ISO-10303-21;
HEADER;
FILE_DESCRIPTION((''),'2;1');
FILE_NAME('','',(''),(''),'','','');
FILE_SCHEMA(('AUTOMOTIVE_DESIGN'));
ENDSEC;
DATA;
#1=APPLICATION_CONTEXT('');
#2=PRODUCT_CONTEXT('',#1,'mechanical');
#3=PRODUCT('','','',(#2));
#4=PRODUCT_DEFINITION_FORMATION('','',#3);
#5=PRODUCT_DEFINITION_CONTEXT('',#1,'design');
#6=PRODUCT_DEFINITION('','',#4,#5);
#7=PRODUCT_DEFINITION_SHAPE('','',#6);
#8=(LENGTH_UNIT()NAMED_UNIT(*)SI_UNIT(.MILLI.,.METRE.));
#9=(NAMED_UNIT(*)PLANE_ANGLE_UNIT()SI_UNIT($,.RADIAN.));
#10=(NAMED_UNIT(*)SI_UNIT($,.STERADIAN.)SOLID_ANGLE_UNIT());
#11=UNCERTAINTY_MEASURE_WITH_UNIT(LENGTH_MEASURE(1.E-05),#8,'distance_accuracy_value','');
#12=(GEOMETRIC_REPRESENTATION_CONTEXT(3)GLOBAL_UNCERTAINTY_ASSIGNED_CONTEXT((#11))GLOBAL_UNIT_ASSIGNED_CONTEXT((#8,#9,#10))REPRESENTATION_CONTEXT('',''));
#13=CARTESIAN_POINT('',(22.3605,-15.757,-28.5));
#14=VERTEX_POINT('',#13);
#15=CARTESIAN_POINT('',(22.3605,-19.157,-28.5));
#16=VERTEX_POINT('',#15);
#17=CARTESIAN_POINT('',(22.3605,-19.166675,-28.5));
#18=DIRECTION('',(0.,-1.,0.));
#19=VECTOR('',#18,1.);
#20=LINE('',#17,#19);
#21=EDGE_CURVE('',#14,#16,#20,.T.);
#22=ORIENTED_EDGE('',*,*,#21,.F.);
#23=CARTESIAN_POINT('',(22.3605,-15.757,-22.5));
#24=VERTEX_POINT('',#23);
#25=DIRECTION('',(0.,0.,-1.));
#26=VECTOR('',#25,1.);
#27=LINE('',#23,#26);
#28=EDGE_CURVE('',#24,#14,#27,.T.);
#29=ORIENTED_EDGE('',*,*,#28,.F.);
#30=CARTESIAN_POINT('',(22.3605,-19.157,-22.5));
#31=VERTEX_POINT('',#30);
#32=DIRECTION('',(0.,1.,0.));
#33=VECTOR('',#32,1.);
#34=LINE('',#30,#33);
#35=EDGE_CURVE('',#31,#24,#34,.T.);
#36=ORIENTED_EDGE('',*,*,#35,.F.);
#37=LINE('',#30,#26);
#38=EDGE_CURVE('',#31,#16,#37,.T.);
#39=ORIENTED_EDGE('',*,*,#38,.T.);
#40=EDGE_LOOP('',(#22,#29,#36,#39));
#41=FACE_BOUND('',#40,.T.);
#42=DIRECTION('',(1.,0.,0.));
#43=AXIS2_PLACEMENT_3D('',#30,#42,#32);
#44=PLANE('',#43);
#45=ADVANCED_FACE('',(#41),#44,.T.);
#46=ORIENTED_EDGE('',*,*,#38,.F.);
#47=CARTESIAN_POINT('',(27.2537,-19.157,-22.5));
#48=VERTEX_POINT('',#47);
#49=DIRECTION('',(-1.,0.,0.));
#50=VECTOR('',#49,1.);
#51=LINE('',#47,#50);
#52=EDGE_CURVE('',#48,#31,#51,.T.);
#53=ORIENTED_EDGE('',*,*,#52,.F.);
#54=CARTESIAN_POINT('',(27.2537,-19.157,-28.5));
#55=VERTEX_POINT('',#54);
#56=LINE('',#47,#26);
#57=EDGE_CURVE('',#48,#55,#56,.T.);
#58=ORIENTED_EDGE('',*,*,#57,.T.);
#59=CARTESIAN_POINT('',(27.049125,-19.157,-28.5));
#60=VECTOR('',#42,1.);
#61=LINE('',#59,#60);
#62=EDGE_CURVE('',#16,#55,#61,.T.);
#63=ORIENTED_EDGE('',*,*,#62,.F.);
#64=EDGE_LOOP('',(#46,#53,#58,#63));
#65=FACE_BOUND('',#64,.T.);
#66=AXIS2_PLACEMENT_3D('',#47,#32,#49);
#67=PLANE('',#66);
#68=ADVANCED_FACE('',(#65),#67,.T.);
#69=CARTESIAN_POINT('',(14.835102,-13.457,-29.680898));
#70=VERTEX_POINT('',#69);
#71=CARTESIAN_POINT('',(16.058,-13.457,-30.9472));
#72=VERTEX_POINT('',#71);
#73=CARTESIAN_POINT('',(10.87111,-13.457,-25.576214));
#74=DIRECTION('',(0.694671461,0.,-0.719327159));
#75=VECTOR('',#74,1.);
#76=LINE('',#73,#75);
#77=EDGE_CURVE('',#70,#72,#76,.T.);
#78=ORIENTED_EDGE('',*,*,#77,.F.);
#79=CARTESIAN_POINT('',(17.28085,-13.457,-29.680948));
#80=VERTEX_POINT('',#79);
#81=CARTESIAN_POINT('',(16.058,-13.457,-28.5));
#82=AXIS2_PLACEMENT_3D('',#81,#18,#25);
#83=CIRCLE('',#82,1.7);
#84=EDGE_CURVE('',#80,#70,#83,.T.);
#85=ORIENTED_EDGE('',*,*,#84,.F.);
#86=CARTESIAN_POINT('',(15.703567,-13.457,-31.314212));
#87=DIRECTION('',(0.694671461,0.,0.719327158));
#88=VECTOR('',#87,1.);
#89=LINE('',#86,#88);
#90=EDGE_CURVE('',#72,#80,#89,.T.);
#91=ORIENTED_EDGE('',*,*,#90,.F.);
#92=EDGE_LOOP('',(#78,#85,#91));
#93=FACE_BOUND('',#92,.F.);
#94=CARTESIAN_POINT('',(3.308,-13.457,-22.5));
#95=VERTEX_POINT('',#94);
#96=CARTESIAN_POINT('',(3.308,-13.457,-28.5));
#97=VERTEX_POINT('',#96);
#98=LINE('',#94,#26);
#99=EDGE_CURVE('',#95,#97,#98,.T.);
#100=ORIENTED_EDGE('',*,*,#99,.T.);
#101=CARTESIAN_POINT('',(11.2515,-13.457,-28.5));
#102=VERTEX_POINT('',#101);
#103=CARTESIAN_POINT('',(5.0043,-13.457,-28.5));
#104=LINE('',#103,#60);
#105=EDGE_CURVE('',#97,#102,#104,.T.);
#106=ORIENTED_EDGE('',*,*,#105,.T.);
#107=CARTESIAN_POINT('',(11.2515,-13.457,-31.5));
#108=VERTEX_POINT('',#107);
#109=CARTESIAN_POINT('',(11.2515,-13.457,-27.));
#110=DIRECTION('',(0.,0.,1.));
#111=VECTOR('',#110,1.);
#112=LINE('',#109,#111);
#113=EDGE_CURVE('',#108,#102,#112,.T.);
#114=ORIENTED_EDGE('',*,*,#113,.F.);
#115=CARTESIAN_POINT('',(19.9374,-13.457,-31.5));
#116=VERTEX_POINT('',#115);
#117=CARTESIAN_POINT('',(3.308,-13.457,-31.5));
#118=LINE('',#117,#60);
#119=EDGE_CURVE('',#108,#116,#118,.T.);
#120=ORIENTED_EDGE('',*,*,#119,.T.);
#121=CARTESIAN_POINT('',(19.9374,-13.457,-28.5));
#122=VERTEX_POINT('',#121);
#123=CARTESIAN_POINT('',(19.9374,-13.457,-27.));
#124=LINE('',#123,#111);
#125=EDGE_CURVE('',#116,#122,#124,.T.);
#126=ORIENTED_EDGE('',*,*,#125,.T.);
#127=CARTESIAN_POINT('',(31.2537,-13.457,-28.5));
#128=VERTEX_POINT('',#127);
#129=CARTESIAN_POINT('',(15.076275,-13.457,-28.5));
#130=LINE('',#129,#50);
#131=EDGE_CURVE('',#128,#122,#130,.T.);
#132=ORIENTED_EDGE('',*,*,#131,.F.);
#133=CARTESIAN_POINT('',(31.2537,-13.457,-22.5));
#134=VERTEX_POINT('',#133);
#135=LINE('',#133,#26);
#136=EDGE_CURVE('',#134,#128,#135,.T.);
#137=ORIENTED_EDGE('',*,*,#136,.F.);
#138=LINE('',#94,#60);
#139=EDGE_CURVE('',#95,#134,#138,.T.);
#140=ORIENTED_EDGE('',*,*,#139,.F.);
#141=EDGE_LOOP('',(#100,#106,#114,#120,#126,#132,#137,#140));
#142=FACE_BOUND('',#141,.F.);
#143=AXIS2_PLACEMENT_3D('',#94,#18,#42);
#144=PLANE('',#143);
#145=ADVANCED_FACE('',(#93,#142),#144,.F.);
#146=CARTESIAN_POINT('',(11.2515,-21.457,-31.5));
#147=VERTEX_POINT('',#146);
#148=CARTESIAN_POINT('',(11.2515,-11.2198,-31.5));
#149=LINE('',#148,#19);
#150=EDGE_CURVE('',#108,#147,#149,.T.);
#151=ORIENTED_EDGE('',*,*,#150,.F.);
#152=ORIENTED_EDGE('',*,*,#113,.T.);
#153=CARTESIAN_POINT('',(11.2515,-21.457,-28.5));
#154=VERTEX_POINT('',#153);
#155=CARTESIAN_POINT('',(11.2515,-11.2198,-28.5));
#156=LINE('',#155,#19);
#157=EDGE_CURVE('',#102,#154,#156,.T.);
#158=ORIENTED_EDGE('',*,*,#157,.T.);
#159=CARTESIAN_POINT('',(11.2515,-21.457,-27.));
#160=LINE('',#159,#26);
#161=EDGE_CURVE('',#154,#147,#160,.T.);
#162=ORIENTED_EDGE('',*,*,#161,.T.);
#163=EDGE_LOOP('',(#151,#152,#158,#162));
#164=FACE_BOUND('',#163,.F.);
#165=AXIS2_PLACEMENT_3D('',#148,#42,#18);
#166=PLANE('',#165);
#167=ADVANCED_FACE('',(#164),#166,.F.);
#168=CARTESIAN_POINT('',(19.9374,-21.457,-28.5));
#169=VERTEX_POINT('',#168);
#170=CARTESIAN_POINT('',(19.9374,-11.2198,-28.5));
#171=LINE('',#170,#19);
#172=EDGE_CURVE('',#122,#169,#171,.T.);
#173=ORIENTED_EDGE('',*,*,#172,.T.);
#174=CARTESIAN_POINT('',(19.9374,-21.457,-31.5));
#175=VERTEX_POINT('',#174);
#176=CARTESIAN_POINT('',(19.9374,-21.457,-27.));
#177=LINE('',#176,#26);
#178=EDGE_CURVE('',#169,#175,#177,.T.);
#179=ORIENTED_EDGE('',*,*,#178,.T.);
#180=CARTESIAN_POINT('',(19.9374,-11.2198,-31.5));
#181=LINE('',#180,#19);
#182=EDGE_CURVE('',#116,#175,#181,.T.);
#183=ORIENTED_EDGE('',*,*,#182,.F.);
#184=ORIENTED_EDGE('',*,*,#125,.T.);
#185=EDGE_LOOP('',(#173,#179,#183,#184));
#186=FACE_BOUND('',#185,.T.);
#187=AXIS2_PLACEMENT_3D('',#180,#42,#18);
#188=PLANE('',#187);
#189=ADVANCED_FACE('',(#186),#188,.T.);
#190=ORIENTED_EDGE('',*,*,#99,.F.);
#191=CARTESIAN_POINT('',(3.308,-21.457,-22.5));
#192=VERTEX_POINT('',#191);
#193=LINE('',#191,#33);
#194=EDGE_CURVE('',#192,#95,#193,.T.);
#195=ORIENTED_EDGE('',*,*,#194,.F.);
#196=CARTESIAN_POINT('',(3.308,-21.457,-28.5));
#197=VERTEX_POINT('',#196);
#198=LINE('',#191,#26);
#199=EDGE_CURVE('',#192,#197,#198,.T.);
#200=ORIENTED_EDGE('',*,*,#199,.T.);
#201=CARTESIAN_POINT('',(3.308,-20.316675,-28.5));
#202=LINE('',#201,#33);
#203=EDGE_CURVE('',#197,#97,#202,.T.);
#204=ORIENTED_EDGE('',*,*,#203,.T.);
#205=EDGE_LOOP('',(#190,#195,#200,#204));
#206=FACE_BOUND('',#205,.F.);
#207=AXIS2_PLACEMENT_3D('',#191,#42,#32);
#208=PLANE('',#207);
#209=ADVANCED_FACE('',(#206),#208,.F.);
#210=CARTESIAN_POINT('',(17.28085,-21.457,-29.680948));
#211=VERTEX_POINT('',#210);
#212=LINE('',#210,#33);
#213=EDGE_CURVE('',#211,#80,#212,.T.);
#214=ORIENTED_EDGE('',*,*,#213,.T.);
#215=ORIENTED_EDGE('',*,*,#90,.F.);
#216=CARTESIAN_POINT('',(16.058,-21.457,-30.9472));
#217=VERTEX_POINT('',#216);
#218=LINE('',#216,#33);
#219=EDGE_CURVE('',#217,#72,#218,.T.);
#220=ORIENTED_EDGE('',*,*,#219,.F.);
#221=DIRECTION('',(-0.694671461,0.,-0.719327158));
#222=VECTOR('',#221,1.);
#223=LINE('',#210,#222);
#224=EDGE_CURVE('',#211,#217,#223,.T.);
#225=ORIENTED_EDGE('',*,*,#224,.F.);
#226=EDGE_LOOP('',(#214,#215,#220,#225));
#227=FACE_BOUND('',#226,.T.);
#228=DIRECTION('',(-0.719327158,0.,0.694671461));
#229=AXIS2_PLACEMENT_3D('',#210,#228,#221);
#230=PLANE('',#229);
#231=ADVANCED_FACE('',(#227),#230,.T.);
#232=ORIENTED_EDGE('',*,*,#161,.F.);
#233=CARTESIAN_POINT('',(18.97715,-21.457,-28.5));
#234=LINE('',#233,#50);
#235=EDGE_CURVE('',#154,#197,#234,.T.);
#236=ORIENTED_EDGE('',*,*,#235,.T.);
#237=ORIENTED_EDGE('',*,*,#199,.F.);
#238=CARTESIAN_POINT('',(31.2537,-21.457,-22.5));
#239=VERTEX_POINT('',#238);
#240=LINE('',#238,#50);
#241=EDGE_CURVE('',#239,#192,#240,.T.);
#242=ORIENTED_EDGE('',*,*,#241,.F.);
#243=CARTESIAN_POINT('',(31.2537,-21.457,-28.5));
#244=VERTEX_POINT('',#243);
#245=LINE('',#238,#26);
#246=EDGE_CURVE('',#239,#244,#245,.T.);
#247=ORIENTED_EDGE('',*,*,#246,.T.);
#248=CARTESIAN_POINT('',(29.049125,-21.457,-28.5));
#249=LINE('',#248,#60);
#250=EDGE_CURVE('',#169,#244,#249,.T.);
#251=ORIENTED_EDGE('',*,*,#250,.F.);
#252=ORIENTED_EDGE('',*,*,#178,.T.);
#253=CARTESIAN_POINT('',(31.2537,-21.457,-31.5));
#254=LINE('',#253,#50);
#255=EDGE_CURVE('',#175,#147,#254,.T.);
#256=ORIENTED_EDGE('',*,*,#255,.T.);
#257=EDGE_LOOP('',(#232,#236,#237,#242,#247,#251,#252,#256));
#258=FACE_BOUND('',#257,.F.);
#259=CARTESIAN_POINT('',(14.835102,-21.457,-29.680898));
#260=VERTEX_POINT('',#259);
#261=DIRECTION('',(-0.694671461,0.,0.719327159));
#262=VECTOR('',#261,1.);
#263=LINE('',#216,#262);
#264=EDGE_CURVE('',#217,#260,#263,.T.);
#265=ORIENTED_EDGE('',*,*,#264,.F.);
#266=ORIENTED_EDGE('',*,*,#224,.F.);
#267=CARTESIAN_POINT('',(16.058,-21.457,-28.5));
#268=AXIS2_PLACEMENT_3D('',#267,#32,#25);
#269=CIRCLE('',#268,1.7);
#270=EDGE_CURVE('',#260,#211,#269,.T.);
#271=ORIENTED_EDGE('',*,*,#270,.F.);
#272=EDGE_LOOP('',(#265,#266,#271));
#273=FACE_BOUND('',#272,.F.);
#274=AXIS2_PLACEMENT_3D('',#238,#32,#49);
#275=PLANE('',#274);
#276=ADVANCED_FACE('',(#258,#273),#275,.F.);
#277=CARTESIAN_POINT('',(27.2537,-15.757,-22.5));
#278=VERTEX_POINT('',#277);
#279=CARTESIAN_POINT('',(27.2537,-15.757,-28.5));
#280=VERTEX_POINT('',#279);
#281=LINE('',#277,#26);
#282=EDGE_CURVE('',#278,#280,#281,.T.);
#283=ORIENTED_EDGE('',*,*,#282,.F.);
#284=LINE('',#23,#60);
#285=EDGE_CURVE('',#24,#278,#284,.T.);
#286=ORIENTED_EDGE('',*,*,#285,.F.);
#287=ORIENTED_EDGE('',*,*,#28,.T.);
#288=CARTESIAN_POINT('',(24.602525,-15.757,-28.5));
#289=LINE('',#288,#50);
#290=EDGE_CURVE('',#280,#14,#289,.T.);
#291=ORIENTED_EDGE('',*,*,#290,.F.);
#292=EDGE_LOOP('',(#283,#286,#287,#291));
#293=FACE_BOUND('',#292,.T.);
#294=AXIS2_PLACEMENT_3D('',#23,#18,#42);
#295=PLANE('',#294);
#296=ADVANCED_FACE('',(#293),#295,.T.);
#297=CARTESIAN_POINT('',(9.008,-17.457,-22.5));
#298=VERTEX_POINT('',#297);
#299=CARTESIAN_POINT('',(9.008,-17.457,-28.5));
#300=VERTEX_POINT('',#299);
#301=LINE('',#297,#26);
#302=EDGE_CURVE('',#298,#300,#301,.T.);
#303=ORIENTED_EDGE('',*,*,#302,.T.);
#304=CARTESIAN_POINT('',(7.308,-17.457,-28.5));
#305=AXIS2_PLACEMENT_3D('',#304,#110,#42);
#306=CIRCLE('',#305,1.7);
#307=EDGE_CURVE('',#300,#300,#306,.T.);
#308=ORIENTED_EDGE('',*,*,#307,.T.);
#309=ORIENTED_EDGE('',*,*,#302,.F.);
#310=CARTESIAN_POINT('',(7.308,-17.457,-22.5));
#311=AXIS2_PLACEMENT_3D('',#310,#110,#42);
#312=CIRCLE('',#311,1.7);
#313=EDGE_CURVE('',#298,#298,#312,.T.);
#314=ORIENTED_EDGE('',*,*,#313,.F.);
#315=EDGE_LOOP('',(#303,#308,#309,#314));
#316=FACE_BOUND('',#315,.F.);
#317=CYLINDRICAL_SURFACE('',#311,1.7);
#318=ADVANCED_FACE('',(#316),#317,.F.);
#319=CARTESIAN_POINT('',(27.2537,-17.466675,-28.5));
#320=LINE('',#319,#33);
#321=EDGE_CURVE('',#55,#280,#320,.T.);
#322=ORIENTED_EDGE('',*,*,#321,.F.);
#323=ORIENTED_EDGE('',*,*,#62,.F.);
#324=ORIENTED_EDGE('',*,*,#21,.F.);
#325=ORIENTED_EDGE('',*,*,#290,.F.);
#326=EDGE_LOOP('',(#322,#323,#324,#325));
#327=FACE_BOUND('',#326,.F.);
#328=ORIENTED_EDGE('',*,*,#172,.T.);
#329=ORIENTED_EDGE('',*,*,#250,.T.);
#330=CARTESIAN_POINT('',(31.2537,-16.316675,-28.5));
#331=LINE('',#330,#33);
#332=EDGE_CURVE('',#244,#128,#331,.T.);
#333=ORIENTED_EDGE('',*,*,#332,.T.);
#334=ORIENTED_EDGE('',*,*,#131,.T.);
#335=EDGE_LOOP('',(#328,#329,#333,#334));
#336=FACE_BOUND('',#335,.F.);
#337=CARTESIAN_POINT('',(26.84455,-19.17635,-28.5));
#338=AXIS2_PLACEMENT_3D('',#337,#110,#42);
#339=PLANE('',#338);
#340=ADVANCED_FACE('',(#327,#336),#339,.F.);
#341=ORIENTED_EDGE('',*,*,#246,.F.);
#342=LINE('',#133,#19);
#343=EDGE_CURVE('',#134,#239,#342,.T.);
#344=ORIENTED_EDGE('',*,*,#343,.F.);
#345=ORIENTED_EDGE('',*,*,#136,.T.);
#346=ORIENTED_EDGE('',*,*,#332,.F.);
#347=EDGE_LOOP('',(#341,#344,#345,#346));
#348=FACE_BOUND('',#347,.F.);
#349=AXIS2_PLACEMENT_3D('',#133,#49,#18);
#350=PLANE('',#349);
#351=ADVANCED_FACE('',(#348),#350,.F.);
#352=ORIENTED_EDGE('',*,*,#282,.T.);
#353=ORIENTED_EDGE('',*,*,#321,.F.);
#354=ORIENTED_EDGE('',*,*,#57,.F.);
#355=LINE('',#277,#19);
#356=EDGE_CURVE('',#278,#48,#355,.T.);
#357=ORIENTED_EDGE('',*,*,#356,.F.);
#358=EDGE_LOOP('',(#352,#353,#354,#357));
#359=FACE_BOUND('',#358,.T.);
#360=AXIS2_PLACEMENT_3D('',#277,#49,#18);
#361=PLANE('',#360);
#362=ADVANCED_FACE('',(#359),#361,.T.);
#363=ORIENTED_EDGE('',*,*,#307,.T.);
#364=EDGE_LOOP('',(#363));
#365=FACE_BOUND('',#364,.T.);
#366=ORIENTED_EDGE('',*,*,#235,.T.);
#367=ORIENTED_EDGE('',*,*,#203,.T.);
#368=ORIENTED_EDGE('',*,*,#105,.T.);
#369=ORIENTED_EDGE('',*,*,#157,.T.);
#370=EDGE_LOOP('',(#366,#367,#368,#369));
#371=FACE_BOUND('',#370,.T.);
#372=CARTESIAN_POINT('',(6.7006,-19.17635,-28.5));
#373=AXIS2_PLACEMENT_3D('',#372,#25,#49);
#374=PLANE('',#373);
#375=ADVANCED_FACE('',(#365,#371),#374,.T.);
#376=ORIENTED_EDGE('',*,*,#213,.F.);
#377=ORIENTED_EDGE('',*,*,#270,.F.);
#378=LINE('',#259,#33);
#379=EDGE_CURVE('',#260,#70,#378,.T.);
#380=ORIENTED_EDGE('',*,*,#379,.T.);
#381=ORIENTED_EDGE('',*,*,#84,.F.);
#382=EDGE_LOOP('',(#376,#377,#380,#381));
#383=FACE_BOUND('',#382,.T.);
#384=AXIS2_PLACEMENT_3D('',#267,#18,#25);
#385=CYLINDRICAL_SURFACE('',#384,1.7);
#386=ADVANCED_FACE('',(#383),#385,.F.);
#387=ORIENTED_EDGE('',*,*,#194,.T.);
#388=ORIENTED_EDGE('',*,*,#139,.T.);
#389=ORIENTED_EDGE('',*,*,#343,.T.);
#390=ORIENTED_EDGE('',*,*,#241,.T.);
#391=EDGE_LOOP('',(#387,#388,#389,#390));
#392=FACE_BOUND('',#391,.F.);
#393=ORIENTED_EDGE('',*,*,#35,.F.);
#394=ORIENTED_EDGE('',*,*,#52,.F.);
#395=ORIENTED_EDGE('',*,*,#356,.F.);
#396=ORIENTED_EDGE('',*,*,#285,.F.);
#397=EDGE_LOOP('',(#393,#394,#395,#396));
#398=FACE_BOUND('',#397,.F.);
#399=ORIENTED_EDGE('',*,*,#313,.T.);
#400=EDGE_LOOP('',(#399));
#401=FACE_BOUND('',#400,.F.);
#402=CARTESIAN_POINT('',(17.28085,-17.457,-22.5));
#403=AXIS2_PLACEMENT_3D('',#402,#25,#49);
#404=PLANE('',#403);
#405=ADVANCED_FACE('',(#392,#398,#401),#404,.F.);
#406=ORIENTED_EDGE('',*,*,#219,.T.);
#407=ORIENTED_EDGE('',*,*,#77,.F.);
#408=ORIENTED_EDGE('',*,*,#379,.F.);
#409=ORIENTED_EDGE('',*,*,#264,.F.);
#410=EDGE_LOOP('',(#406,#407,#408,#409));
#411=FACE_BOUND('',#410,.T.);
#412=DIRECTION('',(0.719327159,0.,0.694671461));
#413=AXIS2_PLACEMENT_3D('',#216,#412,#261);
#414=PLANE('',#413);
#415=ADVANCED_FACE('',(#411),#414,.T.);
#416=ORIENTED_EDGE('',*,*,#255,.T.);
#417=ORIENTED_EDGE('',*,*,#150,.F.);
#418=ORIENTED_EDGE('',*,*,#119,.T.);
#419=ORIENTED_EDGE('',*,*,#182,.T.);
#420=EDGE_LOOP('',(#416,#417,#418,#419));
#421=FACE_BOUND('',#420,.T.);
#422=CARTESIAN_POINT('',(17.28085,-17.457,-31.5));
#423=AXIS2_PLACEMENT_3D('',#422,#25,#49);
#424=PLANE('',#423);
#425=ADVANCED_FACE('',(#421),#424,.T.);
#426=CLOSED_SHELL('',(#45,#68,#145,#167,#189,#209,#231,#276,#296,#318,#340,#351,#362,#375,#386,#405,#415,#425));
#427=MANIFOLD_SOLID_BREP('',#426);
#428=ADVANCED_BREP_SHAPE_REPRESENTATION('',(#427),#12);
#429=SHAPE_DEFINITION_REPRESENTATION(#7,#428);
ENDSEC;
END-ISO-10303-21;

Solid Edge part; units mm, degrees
sketch "Sketch1" plane through (0, 0, -22.5) normal (0, 0, 1) x (1, 0, 0)
  line L0 (22.3605, -19.157) -> (22.3605, -15.757)
  line L1 (22.3605, -15.757) -> (27.2537, -15.757)
  line L2 (27.2537, -15.757) -> (27.2537, -19.157)
  line L3 (27.2537, -19.157) -> (22.3605, -19.157)
  line L4 (3.308, -13.457) -> (31.2537, -13.457)
  line L5 (31.2537, -13.457) -> (31.2537, -21.457)
  line L6 (31.2537, -21.457) -> (3.308, -21.457)
  line L7 (3.308, -21.457) -> (3.308, -13.457)
  circle A0 centre (7.308, -17.457) radius 1.7
  dimension "D1" = 4
  dimension "D2" = 4
  dimension "D3" = 4
  dimension "D4" = 4
extrude "ExtrudedProtrusion_1" add sketch "Sketch1" against normal blind 9
sketch "Sketch2" plane through (17.2808, -21.457, -27.5) normal (0, -1, 0) x (0, 0, -1)
  line L0 (2.1809, 0) -> (3.4472, -1.2228)
  line L1 (3.4472, -1.2228) -> (2.1809, -2.4457)
  arc A0 (2.1809, -2.4457) -> (2.1809, 0) centre (1, -1.2228) cw
  dimension "D1" = 3.4
  dimension "D2" = 6
extrude "Cutout1" cut sketch "Sketch2" against normal up to next
sketch "Sketch3" plane through (17.2808, -17.457, -31.5) normal (0, 0, -1) x (0, 1, 0)
  line L0 (-9.6759, 16.4709) -> (6.2372, 16.4709)
  line L1 (6.2372, 16.4709) -> (6.2372, 2.6566)
  line L2 (6.2372, 2.6566) -> (-9.6759, 2.6566)
  line L3 (-9.6759, 2.6566) -> (-9.6759, 16.4709)
  line L4 (6.2372, -6.0293) -> (-9.6759, -6.0293)
  line L5 (-9.6759, -6.0293) -> (-9.6759, -15.1311)
  line L6 (-9.6759, -15.1311) -> (6.2372, -15.1311)
  line L7 (6.2372, -15.1311) -> (6.2372, -6.0293)
extrude "ExtrudedCutout_2" cut sketch "Sketch3" against normal blind 3
